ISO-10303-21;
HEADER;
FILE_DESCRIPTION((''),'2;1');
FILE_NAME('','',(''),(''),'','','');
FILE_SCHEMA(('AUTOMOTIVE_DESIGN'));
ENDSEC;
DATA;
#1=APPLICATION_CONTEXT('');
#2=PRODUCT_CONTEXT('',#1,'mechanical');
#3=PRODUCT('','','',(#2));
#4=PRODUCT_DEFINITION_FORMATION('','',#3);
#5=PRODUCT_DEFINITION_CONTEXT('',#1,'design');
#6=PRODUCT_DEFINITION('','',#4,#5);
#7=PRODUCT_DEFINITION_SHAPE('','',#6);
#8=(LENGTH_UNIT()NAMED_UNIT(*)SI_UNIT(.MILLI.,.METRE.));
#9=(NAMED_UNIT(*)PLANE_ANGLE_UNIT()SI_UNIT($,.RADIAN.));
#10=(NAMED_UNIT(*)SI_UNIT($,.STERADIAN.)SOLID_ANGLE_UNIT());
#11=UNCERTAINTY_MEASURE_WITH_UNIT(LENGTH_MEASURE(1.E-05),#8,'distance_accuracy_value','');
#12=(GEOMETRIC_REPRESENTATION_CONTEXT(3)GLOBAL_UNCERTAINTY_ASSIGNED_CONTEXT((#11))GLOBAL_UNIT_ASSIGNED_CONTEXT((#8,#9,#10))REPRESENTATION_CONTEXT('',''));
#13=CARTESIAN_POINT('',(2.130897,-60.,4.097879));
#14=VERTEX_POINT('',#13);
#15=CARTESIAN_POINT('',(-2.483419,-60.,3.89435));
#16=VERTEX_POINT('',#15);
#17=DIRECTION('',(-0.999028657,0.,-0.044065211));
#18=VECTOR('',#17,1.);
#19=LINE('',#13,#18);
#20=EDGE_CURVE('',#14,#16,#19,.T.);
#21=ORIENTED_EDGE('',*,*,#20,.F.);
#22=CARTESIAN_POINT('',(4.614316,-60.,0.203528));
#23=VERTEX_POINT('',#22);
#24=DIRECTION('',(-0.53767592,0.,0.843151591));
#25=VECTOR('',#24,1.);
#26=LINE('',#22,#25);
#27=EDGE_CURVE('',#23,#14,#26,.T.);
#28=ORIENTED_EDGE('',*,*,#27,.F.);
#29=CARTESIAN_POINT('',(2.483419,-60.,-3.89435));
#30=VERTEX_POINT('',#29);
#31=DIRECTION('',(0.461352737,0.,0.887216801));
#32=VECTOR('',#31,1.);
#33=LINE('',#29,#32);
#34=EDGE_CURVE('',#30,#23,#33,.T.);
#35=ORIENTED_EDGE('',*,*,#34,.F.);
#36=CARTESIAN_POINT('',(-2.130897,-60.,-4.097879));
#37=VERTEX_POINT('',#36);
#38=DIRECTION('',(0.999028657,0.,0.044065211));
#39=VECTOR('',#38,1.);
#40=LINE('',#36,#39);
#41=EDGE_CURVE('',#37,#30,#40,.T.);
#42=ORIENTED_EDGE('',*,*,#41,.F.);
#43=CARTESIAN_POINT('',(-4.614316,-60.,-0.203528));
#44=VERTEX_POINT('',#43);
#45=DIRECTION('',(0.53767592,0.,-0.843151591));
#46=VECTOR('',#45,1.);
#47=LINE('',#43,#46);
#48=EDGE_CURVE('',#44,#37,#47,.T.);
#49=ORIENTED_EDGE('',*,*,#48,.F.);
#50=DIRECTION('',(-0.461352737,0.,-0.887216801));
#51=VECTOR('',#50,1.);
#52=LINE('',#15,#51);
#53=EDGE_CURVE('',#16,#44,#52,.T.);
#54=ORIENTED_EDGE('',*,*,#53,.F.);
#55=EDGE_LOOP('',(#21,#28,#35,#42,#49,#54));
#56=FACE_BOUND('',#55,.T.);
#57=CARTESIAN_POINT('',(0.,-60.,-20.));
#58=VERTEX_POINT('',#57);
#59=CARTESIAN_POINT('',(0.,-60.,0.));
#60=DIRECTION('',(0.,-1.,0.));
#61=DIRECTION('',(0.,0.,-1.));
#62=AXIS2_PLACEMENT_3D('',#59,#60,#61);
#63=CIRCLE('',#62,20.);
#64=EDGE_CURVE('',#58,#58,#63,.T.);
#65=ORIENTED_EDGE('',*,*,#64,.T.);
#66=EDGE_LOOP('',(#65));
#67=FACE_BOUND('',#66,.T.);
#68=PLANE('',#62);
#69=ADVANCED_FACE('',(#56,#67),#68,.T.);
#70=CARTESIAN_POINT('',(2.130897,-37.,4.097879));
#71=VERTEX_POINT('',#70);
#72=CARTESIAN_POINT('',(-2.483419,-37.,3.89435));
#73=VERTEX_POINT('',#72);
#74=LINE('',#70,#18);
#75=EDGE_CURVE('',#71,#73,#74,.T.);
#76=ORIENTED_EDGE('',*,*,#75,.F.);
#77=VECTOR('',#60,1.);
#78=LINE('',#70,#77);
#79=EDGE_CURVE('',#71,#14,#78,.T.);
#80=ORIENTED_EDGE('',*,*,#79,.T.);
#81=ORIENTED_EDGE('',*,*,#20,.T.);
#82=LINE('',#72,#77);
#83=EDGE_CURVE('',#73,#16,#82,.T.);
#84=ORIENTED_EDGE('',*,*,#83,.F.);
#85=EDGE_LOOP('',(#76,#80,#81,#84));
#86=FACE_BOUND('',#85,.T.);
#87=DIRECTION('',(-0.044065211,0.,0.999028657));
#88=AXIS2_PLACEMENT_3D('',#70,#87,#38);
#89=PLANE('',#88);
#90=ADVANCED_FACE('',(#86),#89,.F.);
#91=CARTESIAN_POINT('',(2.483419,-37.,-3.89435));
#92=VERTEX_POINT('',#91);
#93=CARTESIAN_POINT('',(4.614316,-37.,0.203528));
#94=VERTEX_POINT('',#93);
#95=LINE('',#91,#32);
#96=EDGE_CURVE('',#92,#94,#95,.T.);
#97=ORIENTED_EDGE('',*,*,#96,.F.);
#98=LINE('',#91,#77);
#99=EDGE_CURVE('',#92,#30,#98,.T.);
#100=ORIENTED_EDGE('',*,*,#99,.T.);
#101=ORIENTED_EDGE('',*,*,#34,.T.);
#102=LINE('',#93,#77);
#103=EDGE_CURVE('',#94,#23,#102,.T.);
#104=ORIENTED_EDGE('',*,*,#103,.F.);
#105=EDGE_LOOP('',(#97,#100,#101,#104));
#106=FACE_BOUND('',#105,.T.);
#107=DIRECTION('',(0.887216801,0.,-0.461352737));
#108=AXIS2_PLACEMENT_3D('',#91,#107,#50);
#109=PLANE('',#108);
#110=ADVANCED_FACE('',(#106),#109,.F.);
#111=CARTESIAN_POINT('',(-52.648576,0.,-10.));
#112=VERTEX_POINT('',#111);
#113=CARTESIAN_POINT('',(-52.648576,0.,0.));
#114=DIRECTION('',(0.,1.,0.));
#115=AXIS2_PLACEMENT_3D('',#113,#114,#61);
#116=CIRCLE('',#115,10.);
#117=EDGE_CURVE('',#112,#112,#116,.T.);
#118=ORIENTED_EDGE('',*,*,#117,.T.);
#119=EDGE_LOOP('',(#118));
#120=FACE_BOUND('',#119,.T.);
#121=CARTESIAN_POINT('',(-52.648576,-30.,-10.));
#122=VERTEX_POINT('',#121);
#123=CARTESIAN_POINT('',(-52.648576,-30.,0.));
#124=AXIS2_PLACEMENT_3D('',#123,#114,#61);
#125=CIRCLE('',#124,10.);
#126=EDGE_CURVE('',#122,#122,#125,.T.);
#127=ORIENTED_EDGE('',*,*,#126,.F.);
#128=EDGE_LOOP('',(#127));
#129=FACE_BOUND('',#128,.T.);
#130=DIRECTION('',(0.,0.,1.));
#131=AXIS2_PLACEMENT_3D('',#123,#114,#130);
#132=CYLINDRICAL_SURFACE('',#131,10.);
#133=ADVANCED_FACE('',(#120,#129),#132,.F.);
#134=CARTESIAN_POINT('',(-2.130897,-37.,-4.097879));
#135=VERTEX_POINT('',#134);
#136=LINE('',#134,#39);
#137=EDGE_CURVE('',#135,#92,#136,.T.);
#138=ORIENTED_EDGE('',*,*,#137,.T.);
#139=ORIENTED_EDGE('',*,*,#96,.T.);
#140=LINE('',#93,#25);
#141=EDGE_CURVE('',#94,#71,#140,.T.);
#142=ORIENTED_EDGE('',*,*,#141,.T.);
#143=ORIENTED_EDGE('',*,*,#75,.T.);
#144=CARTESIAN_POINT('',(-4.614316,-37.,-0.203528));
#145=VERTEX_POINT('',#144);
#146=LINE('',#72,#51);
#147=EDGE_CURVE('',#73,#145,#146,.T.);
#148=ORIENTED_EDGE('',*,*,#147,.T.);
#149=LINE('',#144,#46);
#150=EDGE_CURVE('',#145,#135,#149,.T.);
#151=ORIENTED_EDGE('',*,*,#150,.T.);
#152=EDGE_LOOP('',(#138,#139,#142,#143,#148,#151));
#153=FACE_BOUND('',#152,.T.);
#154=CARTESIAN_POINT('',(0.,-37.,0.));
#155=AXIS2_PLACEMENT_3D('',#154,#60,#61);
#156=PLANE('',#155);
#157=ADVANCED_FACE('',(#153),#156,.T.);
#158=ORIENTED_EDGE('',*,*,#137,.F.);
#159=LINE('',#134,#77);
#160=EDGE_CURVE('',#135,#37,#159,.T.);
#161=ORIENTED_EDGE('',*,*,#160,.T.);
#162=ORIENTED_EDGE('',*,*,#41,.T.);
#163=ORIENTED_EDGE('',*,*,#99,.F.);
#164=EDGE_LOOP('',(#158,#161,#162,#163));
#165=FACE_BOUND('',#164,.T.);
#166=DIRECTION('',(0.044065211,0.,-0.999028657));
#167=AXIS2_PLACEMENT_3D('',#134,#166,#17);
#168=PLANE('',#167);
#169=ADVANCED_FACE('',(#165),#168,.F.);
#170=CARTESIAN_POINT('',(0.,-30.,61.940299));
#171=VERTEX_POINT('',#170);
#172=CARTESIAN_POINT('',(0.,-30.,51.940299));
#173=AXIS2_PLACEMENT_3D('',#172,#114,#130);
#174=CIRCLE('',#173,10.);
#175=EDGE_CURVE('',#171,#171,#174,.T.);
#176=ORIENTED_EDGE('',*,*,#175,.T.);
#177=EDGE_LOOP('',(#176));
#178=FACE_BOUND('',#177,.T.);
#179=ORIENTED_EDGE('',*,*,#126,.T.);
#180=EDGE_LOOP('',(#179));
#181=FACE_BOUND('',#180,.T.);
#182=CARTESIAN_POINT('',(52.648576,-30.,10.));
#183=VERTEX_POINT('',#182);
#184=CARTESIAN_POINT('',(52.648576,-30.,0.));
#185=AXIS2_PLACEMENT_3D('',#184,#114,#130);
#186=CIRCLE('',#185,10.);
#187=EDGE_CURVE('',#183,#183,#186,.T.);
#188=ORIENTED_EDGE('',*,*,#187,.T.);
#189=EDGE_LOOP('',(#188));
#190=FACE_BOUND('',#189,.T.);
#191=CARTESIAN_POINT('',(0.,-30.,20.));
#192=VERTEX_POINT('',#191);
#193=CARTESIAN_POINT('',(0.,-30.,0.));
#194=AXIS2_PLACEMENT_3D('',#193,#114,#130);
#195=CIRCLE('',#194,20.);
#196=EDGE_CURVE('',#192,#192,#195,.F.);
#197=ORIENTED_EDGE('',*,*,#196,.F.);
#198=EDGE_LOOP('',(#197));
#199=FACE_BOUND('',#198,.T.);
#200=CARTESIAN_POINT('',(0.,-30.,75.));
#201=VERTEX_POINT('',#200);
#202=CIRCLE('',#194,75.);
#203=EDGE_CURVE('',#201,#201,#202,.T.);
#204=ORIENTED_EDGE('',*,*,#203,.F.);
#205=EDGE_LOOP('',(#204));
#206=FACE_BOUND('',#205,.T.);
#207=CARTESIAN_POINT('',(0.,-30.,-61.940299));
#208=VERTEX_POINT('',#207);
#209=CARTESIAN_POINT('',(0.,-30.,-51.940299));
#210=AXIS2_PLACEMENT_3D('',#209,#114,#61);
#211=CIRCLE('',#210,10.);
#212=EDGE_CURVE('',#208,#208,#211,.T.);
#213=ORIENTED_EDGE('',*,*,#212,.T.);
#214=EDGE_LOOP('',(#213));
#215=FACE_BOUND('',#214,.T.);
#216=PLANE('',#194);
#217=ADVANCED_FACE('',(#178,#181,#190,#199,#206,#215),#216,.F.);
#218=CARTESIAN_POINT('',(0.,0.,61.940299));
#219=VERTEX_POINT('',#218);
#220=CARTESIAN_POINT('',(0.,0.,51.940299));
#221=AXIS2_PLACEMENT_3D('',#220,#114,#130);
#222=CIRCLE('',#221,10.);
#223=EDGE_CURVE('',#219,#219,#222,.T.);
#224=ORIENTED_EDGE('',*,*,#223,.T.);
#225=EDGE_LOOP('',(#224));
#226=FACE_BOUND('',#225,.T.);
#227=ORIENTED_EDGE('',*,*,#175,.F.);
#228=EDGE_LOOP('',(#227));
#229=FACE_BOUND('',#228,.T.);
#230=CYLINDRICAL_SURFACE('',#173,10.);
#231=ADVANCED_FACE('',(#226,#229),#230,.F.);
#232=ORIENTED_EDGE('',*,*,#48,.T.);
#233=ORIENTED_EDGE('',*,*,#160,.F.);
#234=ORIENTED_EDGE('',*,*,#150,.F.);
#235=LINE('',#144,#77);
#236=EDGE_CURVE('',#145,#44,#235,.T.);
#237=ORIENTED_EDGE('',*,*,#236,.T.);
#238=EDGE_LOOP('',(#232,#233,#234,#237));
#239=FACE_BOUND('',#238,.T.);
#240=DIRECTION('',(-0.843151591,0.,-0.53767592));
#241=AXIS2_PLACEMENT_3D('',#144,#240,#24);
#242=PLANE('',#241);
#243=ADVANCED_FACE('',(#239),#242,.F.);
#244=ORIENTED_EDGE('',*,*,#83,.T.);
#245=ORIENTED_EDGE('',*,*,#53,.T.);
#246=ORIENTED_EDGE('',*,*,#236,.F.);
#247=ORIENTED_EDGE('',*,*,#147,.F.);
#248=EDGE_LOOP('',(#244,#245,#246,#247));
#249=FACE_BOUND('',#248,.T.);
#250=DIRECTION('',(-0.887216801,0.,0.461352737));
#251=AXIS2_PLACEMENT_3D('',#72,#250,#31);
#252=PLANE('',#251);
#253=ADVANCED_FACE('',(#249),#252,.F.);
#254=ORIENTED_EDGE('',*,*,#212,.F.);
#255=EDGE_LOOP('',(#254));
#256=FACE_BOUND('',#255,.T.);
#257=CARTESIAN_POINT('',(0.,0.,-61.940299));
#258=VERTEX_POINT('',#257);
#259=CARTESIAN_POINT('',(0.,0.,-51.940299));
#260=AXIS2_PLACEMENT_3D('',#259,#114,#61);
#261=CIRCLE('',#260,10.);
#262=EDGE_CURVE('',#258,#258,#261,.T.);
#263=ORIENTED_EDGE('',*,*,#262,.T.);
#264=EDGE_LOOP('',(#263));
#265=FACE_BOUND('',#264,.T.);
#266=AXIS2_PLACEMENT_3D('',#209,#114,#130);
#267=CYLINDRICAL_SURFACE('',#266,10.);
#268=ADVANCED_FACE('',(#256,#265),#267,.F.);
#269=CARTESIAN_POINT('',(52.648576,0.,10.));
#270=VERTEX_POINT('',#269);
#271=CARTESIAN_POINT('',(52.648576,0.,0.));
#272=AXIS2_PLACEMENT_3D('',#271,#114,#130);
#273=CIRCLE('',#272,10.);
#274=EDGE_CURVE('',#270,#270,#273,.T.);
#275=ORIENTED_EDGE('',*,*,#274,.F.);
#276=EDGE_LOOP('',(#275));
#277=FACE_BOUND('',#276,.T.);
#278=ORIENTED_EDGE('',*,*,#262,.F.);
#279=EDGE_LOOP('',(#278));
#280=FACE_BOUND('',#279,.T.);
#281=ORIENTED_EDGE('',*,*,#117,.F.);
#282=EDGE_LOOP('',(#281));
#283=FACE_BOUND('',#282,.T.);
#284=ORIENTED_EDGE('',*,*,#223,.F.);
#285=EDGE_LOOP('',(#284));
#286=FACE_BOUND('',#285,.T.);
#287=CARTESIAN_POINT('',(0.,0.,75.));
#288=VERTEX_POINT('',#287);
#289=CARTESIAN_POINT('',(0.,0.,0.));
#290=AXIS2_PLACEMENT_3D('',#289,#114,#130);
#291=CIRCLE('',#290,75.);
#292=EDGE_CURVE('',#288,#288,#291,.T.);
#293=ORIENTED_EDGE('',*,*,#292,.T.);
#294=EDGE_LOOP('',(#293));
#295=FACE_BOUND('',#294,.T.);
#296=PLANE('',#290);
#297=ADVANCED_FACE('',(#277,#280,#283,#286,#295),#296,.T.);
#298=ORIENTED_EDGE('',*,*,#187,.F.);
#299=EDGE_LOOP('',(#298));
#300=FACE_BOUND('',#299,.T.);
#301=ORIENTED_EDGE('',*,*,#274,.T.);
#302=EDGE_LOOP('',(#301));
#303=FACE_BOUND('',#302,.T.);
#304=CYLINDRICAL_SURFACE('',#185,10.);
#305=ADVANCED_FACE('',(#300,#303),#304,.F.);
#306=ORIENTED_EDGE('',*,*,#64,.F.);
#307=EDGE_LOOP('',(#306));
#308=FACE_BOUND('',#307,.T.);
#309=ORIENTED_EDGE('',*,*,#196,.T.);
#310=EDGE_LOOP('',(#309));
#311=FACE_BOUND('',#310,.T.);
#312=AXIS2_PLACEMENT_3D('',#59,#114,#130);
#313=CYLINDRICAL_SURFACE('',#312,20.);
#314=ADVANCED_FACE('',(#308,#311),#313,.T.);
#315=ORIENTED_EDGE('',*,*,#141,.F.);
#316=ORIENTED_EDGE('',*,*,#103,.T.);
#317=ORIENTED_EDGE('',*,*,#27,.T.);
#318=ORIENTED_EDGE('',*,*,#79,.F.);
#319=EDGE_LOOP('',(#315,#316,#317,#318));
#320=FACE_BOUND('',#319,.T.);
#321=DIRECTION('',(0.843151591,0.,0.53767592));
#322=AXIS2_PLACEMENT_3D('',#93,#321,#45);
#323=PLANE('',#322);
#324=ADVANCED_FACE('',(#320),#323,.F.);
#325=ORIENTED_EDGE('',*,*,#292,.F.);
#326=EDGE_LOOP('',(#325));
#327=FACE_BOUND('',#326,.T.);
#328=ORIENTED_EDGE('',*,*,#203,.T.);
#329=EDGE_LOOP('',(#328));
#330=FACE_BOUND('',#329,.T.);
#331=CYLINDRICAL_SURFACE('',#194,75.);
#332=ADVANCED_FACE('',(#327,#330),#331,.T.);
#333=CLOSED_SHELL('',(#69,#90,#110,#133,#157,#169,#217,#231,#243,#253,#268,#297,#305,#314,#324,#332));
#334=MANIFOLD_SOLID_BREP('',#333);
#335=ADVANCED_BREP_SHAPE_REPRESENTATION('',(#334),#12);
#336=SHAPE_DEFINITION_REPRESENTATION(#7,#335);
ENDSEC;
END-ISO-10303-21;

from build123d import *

# Parameters (mm, degrees)
SKETCH1_R           = 75
SKETCH1_R_2         = 10
BOSS_EXTRUDE1_DEPTH = 30
SKETCH2_R           = 20
BOSS_EXTRUDE2_DEPTH = 30
BOSS_EXTRUDE5_DEPTH = 60
CUT_EXTRUDE1_DEPTH  = 23


with BuildPart() as part:
    # Sketch1 → Boss-Extrude1 (new body)
    with BuildSketch(Plane(origin=(0, 0, 0), x_dir=(1, 0, 0), z_dir=(0, 1, 0))):
        Circle(SKETCH1_R)
        with Locations((0, -51.940298755)):
            Circle(SKETCH1_R_2, mode=Mode.SUBTRACT)
        with Locations((52.648575556, 0)):
            Circle(SKETCH1_R_2, mode=Mode.SUBTRACT)
        with Locations((-52.648575556, 0)):
            Circle(SKETCH1_R_2, mode=Mode.SUBTRACT)
        with Locations((0, 51.940298755)):
            Circle(SKETCH1_R_2, mode=Mode.SUBTRACT)
    extrude(amount=-BOSS_EXTRUDE1_DEPTH)

    # Sketch2 → Boss-Extrude2 (add)
    with BuildSketch(Plane.XZ.offset(30)):
        Circle(SKETCH2_R)
    extrude(amount=BOSS_EXTRUDE2_DEPTH)

    # Sketch3 → Boss-Extrude5 (add, through all)
    with BuildSketch(Plane.XZ.offset(60)):
        Polygon((2.130897014, 4.097878872), (-2.483418698, 3.894350383), (-4.614315712, -0.20352849), (-2.130897014, -4.097878872), (2.483418698, -3.894350383), (4.614315712, 0.20352849), align=None)
    extrude(amount=-BOSS_EXTRUDE5_DEPTH)

    # Sketch3<3> → Cut-Extrude1 (cut)
    with BuildSketch(Plane.XZ.offset(60)):
        Polygon((2.130897014, 4.097878872), (-2.483418698, 3.894350383), (-4.614315712, -0.20352849), (-2.130897014, -4.097878872), (2.483418698, -3.894350383), (4.614315712, 0.20352849), align=None)
    extrude(amount=-CUT_EXTRUDE1_DEPTH, mode=Mode.SUBTRACT)


solid = part.part
